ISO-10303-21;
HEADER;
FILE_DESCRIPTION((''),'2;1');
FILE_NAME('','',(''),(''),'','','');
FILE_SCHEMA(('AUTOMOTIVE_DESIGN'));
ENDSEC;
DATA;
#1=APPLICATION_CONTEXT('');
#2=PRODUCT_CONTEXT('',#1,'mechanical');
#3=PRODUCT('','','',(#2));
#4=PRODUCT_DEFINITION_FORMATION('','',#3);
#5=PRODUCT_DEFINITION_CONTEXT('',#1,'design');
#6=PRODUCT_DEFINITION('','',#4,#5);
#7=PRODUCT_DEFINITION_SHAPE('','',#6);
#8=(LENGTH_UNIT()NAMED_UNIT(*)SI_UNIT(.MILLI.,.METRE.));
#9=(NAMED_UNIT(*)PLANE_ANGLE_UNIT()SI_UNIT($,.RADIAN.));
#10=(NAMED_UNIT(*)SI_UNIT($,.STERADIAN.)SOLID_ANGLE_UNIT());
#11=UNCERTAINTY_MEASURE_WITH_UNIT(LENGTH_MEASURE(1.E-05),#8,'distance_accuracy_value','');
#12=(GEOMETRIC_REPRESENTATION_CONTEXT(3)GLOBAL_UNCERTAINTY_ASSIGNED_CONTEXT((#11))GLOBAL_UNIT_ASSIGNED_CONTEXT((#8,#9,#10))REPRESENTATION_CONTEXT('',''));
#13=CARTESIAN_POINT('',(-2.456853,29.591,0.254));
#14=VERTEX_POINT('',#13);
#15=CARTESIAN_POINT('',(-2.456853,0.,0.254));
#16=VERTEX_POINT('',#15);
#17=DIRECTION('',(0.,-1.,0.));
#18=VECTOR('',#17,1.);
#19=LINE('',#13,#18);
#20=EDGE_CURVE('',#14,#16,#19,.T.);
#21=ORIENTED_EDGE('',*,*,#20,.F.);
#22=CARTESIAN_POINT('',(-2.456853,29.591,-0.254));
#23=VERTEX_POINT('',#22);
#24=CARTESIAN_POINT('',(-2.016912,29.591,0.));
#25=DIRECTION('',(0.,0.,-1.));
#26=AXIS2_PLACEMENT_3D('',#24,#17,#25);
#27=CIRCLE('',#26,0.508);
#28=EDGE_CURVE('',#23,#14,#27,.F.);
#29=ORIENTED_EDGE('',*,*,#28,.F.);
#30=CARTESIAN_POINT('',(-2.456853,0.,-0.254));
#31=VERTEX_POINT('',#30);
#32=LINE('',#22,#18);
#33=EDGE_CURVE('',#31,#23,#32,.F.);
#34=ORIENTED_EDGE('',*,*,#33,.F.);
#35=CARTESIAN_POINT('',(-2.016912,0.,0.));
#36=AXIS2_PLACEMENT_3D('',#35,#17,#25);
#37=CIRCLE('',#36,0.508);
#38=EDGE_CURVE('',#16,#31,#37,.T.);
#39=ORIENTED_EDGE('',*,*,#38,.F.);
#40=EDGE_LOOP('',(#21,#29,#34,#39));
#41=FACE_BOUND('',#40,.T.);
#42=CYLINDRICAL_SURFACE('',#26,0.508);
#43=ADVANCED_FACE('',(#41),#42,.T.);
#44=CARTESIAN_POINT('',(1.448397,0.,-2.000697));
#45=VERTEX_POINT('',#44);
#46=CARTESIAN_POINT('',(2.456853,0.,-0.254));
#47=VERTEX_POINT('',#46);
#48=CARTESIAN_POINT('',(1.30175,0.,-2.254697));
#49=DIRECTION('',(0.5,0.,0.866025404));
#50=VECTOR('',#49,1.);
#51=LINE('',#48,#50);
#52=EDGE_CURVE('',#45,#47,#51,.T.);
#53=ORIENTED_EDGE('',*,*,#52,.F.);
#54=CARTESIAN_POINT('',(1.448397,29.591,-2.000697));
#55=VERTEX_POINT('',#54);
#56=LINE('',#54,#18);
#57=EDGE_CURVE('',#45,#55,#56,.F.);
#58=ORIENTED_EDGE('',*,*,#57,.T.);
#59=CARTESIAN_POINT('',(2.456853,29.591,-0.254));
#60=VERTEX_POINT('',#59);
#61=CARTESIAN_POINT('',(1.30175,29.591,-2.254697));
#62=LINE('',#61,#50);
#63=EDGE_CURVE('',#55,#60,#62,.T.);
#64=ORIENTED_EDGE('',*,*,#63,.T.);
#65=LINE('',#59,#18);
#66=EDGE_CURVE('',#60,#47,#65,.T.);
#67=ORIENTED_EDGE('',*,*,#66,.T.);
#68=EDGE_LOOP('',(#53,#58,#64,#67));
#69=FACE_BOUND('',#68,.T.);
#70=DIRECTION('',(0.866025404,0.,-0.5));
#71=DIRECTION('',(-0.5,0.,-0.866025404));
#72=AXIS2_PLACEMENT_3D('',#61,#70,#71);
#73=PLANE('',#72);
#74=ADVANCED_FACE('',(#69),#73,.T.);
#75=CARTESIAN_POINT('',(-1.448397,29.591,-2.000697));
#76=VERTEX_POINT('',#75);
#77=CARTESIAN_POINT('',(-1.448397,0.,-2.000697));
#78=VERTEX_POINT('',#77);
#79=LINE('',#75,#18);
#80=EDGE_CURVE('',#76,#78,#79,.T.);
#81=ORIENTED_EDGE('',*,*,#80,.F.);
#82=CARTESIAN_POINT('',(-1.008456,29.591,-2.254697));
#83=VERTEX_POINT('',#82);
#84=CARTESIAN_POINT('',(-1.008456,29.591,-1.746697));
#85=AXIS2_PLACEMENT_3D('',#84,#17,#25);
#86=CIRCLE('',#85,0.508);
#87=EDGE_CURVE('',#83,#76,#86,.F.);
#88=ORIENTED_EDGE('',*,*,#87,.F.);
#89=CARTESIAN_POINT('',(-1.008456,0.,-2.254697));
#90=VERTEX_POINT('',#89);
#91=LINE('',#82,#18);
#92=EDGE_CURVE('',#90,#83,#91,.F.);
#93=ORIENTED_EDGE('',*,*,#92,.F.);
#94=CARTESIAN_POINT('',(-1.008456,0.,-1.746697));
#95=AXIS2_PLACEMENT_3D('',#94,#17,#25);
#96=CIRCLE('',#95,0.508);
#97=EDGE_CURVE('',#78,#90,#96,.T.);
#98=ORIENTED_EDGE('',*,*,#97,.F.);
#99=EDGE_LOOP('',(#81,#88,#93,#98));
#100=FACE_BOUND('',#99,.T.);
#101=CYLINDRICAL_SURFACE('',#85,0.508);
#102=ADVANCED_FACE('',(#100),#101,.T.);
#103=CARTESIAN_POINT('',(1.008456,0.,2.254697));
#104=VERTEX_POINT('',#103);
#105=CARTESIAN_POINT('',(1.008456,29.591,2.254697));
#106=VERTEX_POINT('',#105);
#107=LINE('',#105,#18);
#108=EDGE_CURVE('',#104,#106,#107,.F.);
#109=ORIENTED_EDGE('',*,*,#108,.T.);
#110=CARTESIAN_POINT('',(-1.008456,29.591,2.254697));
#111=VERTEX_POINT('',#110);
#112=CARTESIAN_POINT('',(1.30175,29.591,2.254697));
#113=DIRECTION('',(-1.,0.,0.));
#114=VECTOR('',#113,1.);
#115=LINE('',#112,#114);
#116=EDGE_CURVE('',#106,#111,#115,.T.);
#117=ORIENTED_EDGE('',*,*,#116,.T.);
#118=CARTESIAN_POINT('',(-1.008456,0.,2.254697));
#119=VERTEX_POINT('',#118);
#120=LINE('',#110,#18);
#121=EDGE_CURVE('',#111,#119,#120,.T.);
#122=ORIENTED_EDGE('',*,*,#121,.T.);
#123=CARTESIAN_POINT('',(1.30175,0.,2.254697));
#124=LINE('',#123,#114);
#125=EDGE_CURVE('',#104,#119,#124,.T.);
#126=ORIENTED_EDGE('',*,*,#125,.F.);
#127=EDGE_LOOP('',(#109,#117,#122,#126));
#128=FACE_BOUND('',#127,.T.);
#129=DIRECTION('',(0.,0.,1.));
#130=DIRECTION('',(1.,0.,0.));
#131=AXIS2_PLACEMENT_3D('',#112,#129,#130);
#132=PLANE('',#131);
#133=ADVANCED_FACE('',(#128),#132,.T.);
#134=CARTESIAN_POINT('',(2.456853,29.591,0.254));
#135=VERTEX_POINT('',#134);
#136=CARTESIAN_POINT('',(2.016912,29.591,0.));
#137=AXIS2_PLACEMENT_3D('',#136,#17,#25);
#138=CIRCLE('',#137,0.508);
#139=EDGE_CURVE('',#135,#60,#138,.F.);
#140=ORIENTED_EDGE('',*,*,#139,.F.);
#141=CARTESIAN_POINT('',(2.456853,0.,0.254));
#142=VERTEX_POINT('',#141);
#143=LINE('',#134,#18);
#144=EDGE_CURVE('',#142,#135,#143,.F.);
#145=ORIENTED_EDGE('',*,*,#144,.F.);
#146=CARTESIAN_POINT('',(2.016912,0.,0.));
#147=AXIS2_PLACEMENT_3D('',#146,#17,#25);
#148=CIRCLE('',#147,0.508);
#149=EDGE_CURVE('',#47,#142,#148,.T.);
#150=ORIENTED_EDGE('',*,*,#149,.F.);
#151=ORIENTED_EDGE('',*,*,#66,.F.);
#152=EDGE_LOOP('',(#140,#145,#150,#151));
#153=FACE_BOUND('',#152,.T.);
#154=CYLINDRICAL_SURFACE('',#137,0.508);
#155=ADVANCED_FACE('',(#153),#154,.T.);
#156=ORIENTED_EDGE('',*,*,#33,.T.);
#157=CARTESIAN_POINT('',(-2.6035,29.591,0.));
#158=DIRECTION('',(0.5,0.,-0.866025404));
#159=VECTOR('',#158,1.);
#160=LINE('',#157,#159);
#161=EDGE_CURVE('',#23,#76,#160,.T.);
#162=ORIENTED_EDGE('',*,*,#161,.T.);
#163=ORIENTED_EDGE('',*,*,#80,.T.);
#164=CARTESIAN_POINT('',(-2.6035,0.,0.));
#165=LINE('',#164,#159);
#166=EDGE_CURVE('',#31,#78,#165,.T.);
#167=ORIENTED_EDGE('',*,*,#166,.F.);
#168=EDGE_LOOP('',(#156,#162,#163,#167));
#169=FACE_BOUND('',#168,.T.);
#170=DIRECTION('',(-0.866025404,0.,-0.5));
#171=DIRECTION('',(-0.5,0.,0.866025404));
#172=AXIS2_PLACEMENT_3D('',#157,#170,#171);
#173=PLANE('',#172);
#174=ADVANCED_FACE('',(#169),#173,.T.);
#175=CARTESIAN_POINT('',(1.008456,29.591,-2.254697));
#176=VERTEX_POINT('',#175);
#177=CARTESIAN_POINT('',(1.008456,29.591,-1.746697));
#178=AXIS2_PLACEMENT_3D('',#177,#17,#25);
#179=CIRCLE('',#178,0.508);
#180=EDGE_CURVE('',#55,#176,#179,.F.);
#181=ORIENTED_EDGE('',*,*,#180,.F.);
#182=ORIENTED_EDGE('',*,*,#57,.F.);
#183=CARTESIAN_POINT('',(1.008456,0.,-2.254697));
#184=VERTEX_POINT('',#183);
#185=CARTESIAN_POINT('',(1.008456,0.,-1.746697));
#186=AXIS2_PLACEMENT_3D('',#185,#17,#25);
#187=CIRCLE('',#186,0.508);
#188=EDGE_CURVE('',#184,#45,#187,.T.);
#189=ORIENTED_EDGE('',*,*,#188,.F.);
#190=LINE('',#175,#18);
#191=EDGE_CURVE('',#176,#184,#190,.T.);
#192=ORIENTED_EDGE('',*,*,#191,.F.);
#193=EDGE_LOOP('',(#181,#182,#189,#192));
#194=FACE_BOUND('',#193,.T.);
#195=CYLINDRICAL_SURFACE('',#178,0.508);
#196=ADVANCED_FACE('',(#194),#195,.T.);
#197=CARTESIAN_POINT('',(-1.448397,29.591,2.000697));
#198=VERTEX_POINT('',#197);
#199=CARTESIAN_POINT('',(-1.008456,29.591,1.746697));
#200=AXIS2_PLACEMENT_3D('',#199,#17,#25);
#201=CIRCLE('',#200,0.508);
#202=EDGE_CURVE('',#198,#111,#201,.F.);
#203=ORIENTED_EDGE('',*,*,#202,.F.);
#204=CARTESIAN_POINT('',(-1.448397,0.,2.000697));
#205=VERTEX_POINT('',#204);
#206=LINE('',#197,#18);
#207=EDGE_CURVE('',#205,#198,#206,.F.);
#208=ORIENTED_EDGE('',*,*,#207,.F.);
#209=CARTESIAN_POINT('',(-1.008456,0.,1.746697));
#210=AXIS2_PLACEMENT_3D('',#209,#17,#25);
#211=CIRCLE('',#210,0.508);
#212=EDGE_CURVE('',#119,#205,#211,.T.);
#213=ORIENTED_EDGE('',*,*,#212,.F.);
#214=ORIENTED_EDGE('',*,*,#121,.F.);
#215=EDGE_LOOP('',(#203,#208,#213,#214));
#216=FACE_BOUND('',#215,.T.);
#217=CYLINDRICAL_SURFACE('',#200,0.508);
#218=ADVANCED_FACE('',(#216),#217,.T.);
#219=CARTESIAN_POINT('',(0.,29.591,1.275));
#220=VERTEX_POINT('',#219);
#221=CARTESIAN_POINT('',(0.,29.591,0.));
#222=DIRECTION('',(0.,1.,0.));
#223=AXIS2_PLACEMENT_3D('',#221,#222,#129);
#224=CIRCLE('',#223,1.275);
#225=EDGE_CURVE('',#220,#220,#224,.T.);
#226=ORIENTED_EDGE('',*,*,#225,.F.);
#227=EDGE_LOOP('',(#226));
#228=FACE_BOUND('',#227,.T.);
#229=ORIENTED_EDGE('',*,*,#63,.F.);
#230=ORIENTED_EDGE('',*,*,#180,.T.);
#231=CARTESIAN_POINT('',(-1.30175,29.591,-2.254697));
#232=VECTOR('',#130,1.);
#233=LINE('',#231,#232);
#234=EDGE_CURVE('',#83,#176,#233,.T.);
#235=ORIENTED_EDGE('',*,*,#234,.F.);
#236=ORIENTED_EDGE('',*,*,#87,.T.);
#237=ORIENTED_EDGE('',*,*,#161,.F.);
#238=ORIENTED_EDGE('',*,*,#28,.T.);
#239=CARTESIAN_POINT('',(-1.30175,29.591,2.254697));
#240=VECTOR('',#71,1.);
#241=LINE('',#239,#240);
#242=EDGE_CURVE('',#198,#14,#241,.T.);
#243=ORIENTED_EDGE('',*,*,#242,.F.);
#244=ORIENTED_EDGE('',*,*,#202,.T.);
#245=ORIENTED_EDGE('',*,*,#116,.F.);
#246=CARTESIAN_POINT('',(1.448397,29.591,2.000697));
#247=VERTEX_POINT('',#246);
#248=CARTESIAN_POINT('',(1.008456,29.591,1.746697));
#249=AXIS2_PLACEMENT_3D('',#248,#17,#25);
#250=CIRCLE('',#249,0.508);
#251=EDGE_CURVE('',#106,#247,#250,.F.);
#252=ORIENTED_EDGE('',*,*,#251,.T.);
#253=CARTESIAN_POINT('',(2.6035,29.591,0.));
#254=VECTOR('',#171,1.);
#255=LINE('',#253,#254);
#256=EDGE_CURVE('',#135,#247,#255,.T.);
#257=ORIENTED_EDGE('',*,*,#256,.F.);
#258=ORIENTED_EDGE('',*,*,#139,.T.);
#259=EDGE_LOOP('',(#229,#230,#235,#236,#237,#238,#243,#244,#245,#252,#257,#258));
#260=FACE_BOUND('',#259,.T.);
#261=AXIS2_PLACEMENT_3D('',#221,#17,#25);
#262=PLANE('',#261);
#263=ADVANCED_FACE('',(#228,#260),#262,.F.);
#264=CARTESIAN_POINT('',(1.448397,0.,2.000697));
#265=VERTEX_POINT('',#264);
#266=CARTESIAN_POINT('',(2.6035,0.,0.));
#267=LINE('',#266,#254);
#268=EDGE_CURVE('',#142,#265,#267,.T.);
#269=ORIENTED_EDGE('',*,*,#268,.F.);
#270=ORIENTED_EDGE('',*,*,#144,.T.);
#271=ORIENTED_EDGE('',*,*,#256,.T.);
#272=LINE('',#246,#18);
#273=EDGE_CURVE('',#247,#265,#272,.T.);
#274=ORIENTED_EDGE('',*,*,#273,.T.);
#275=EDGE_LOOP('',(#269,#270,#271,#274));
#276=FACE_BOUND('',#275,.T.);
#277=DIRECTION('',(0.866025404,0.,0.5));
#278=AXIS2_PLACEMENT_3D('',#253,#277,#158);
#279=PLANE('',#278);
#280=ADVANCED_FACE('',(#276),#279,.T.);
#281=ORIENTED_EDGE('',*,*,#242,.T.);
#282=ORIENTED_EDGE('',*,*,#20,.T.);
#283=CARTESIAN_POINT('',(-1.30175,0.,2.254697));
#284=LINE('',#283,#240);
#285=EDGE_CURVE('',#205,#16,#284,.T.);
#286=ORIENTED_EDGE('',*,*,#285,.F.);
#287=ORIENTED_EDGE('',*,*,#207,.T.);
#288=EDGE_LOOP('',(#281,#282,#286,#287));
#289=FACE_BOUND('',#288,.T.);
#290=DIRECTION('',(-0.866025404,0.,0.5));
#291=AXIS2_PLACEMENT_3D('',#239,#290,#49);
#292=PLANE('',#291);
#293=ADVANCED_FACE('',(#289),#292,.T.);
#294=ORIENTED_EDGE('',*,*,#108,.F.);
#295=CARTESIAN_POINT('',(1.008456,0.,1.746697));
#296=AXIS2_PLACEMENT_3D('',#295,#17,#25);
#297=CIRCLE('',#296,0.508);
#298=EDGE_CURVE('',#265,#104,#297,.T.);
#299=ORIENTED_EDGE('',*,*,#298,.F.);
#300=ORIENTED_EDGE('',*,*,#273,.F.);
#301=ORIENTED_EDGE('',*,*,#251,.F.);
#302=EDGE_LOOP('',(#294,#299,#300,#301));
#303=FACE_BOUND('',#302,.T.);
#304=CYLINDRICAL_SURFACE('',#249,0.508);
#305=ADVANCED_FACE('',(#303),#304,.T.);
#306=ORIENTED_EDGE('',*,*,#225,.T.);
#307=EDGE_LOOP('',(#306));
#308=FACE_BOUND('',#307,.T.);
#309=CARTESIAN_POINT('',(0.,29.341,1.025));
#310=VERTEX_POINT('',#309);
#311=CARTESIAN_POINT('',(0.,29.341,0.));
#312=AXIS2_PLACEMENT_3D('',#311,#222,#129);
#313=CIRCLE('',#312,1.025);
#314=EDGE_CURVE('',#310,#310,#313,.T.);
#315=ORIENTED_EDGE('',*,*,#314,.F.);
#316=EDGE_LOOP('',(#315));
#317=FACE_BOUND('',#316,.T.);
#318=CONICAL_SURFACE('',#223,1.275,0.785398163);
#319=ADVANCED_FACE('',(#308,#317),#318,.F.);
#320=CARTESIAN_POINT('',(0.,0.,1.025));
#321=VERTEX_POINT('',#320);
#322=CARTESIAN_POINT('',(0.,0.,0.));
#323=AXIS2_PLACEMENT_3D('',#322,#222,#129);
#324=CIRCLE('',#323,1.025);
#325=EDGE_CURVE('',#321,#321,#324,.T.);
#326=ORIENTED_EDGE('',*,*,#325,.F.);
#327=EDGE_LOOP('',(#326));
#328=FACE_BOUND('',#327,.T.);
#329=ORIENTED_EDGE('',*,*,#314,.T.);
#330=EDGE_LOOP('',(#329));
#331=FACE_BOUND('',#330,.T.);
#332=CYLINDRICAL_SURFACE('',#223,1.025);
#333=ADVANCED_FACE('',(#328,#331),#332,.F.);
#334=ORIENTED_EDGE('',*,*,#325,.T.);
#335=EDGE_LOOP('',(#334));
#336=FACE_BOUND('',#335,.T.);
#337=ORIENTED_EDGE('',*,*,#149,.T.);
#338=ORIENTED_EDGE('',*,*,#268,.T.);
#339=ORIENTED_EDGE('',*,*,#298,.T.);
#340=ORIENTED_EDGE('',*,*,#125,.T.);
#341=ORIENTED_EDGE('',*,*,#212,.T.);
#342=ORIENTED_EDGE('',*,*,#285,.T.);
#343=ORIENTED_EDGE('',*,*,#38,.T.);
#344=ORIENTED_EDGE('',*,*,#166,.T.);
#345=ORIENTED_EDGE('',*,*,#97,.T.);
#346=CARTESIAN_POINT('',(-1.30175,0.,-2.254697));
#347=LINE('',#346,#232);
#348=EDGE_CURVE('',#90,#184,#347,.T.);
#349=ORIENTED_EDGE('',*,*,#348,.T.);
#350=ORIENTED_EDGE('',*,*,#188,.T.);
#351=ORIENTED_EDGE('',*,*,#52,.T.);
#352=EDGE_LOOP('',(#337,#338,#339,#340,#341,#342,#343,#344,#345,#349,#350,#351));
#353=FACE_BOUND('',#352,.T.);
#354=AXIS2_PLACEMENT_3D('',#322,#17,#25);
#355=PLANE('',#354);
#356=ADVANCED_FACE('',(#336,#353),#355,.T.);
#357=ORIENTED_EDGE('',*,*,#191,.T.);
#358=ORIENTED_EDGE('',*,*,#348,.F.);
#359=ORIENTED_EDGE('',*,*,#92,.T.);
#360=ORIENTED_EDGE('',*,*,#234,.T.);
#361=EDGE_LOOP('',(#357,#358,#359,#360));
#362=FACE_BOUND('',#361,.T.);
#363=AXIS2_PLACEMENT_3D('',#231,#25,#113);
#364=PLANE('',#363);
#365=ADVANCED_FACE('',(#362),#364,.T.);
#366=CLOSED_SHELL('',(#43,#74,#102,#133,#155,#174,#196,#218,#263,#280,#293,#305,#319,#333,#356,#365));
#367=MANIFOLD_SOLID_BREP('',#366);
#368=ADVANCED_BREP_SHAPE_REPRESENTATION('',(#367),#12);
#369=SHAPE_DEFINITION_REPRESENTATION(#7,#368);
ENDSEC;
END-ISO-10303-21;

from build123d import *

# Parameters (mm, degrees)
BOSS_EXTRUDE1_DEPTH                = 29.591
FILLET1_R                          = 0.508
M2_5X0_45_TAPPED_HOLE1_D           = 2.05
M2_5X0_45_TAPPED_HOLE1_CSINK_D     = 2.55
M2_5X0_45_TAPPED_HOLE1_CSINK_ANGLE = 90


with BuildPart() as part:
    # Sketch1 → Boss-Extrude1 (new body)
    with BuildSketch(Plane(origin=(0, 0, 0), x_dir=(1, 0, 0), z_dir=(0, 1, 0))):
        Polygon((-2.6035, 0), (-1.30175, 2.254697139), (1.30175, 2.254697139), (2.6035, 0), (1.30175, -2.254697139), (-1.30175, -2.254697139), align=None)
    extrude(amount=BOSS_EXTRUDE1_DEPTH)

    # Fillet1
    fillet1_edges = [part.edges().sort_by_distance(p)[0] for p in [
        (-2.6035, 14.7955, 0),
        (-1.30175, 14.7955, 2.254697139),
        (1.30175, 14.7955, 2.254697139),
        (2.6035, 14.7955, 0),
        (1.30175, 14.7955, -2.254697139),
        (-1.30175, 14.7955, -2.254697139),
    ]]
    fillet(fillet1_edges, radius=FILLET1_R)

    # M2.5x0.45 Tapped Hole1 (through all)
    with Locations(Plane.ZX.offset(29.591)):
        with Locations((0, 0)):
            CounterSinkHole(M2_5X0_45_TAPPED_HOLE1_D / 2, M2_5X0_45_TAPPED_HOLE1_CSINK_D / 2, counter_sink_angle=M2_5X0_45_TAPPED_HOLE1_CSINK_ANGLE)


solid = part.part
